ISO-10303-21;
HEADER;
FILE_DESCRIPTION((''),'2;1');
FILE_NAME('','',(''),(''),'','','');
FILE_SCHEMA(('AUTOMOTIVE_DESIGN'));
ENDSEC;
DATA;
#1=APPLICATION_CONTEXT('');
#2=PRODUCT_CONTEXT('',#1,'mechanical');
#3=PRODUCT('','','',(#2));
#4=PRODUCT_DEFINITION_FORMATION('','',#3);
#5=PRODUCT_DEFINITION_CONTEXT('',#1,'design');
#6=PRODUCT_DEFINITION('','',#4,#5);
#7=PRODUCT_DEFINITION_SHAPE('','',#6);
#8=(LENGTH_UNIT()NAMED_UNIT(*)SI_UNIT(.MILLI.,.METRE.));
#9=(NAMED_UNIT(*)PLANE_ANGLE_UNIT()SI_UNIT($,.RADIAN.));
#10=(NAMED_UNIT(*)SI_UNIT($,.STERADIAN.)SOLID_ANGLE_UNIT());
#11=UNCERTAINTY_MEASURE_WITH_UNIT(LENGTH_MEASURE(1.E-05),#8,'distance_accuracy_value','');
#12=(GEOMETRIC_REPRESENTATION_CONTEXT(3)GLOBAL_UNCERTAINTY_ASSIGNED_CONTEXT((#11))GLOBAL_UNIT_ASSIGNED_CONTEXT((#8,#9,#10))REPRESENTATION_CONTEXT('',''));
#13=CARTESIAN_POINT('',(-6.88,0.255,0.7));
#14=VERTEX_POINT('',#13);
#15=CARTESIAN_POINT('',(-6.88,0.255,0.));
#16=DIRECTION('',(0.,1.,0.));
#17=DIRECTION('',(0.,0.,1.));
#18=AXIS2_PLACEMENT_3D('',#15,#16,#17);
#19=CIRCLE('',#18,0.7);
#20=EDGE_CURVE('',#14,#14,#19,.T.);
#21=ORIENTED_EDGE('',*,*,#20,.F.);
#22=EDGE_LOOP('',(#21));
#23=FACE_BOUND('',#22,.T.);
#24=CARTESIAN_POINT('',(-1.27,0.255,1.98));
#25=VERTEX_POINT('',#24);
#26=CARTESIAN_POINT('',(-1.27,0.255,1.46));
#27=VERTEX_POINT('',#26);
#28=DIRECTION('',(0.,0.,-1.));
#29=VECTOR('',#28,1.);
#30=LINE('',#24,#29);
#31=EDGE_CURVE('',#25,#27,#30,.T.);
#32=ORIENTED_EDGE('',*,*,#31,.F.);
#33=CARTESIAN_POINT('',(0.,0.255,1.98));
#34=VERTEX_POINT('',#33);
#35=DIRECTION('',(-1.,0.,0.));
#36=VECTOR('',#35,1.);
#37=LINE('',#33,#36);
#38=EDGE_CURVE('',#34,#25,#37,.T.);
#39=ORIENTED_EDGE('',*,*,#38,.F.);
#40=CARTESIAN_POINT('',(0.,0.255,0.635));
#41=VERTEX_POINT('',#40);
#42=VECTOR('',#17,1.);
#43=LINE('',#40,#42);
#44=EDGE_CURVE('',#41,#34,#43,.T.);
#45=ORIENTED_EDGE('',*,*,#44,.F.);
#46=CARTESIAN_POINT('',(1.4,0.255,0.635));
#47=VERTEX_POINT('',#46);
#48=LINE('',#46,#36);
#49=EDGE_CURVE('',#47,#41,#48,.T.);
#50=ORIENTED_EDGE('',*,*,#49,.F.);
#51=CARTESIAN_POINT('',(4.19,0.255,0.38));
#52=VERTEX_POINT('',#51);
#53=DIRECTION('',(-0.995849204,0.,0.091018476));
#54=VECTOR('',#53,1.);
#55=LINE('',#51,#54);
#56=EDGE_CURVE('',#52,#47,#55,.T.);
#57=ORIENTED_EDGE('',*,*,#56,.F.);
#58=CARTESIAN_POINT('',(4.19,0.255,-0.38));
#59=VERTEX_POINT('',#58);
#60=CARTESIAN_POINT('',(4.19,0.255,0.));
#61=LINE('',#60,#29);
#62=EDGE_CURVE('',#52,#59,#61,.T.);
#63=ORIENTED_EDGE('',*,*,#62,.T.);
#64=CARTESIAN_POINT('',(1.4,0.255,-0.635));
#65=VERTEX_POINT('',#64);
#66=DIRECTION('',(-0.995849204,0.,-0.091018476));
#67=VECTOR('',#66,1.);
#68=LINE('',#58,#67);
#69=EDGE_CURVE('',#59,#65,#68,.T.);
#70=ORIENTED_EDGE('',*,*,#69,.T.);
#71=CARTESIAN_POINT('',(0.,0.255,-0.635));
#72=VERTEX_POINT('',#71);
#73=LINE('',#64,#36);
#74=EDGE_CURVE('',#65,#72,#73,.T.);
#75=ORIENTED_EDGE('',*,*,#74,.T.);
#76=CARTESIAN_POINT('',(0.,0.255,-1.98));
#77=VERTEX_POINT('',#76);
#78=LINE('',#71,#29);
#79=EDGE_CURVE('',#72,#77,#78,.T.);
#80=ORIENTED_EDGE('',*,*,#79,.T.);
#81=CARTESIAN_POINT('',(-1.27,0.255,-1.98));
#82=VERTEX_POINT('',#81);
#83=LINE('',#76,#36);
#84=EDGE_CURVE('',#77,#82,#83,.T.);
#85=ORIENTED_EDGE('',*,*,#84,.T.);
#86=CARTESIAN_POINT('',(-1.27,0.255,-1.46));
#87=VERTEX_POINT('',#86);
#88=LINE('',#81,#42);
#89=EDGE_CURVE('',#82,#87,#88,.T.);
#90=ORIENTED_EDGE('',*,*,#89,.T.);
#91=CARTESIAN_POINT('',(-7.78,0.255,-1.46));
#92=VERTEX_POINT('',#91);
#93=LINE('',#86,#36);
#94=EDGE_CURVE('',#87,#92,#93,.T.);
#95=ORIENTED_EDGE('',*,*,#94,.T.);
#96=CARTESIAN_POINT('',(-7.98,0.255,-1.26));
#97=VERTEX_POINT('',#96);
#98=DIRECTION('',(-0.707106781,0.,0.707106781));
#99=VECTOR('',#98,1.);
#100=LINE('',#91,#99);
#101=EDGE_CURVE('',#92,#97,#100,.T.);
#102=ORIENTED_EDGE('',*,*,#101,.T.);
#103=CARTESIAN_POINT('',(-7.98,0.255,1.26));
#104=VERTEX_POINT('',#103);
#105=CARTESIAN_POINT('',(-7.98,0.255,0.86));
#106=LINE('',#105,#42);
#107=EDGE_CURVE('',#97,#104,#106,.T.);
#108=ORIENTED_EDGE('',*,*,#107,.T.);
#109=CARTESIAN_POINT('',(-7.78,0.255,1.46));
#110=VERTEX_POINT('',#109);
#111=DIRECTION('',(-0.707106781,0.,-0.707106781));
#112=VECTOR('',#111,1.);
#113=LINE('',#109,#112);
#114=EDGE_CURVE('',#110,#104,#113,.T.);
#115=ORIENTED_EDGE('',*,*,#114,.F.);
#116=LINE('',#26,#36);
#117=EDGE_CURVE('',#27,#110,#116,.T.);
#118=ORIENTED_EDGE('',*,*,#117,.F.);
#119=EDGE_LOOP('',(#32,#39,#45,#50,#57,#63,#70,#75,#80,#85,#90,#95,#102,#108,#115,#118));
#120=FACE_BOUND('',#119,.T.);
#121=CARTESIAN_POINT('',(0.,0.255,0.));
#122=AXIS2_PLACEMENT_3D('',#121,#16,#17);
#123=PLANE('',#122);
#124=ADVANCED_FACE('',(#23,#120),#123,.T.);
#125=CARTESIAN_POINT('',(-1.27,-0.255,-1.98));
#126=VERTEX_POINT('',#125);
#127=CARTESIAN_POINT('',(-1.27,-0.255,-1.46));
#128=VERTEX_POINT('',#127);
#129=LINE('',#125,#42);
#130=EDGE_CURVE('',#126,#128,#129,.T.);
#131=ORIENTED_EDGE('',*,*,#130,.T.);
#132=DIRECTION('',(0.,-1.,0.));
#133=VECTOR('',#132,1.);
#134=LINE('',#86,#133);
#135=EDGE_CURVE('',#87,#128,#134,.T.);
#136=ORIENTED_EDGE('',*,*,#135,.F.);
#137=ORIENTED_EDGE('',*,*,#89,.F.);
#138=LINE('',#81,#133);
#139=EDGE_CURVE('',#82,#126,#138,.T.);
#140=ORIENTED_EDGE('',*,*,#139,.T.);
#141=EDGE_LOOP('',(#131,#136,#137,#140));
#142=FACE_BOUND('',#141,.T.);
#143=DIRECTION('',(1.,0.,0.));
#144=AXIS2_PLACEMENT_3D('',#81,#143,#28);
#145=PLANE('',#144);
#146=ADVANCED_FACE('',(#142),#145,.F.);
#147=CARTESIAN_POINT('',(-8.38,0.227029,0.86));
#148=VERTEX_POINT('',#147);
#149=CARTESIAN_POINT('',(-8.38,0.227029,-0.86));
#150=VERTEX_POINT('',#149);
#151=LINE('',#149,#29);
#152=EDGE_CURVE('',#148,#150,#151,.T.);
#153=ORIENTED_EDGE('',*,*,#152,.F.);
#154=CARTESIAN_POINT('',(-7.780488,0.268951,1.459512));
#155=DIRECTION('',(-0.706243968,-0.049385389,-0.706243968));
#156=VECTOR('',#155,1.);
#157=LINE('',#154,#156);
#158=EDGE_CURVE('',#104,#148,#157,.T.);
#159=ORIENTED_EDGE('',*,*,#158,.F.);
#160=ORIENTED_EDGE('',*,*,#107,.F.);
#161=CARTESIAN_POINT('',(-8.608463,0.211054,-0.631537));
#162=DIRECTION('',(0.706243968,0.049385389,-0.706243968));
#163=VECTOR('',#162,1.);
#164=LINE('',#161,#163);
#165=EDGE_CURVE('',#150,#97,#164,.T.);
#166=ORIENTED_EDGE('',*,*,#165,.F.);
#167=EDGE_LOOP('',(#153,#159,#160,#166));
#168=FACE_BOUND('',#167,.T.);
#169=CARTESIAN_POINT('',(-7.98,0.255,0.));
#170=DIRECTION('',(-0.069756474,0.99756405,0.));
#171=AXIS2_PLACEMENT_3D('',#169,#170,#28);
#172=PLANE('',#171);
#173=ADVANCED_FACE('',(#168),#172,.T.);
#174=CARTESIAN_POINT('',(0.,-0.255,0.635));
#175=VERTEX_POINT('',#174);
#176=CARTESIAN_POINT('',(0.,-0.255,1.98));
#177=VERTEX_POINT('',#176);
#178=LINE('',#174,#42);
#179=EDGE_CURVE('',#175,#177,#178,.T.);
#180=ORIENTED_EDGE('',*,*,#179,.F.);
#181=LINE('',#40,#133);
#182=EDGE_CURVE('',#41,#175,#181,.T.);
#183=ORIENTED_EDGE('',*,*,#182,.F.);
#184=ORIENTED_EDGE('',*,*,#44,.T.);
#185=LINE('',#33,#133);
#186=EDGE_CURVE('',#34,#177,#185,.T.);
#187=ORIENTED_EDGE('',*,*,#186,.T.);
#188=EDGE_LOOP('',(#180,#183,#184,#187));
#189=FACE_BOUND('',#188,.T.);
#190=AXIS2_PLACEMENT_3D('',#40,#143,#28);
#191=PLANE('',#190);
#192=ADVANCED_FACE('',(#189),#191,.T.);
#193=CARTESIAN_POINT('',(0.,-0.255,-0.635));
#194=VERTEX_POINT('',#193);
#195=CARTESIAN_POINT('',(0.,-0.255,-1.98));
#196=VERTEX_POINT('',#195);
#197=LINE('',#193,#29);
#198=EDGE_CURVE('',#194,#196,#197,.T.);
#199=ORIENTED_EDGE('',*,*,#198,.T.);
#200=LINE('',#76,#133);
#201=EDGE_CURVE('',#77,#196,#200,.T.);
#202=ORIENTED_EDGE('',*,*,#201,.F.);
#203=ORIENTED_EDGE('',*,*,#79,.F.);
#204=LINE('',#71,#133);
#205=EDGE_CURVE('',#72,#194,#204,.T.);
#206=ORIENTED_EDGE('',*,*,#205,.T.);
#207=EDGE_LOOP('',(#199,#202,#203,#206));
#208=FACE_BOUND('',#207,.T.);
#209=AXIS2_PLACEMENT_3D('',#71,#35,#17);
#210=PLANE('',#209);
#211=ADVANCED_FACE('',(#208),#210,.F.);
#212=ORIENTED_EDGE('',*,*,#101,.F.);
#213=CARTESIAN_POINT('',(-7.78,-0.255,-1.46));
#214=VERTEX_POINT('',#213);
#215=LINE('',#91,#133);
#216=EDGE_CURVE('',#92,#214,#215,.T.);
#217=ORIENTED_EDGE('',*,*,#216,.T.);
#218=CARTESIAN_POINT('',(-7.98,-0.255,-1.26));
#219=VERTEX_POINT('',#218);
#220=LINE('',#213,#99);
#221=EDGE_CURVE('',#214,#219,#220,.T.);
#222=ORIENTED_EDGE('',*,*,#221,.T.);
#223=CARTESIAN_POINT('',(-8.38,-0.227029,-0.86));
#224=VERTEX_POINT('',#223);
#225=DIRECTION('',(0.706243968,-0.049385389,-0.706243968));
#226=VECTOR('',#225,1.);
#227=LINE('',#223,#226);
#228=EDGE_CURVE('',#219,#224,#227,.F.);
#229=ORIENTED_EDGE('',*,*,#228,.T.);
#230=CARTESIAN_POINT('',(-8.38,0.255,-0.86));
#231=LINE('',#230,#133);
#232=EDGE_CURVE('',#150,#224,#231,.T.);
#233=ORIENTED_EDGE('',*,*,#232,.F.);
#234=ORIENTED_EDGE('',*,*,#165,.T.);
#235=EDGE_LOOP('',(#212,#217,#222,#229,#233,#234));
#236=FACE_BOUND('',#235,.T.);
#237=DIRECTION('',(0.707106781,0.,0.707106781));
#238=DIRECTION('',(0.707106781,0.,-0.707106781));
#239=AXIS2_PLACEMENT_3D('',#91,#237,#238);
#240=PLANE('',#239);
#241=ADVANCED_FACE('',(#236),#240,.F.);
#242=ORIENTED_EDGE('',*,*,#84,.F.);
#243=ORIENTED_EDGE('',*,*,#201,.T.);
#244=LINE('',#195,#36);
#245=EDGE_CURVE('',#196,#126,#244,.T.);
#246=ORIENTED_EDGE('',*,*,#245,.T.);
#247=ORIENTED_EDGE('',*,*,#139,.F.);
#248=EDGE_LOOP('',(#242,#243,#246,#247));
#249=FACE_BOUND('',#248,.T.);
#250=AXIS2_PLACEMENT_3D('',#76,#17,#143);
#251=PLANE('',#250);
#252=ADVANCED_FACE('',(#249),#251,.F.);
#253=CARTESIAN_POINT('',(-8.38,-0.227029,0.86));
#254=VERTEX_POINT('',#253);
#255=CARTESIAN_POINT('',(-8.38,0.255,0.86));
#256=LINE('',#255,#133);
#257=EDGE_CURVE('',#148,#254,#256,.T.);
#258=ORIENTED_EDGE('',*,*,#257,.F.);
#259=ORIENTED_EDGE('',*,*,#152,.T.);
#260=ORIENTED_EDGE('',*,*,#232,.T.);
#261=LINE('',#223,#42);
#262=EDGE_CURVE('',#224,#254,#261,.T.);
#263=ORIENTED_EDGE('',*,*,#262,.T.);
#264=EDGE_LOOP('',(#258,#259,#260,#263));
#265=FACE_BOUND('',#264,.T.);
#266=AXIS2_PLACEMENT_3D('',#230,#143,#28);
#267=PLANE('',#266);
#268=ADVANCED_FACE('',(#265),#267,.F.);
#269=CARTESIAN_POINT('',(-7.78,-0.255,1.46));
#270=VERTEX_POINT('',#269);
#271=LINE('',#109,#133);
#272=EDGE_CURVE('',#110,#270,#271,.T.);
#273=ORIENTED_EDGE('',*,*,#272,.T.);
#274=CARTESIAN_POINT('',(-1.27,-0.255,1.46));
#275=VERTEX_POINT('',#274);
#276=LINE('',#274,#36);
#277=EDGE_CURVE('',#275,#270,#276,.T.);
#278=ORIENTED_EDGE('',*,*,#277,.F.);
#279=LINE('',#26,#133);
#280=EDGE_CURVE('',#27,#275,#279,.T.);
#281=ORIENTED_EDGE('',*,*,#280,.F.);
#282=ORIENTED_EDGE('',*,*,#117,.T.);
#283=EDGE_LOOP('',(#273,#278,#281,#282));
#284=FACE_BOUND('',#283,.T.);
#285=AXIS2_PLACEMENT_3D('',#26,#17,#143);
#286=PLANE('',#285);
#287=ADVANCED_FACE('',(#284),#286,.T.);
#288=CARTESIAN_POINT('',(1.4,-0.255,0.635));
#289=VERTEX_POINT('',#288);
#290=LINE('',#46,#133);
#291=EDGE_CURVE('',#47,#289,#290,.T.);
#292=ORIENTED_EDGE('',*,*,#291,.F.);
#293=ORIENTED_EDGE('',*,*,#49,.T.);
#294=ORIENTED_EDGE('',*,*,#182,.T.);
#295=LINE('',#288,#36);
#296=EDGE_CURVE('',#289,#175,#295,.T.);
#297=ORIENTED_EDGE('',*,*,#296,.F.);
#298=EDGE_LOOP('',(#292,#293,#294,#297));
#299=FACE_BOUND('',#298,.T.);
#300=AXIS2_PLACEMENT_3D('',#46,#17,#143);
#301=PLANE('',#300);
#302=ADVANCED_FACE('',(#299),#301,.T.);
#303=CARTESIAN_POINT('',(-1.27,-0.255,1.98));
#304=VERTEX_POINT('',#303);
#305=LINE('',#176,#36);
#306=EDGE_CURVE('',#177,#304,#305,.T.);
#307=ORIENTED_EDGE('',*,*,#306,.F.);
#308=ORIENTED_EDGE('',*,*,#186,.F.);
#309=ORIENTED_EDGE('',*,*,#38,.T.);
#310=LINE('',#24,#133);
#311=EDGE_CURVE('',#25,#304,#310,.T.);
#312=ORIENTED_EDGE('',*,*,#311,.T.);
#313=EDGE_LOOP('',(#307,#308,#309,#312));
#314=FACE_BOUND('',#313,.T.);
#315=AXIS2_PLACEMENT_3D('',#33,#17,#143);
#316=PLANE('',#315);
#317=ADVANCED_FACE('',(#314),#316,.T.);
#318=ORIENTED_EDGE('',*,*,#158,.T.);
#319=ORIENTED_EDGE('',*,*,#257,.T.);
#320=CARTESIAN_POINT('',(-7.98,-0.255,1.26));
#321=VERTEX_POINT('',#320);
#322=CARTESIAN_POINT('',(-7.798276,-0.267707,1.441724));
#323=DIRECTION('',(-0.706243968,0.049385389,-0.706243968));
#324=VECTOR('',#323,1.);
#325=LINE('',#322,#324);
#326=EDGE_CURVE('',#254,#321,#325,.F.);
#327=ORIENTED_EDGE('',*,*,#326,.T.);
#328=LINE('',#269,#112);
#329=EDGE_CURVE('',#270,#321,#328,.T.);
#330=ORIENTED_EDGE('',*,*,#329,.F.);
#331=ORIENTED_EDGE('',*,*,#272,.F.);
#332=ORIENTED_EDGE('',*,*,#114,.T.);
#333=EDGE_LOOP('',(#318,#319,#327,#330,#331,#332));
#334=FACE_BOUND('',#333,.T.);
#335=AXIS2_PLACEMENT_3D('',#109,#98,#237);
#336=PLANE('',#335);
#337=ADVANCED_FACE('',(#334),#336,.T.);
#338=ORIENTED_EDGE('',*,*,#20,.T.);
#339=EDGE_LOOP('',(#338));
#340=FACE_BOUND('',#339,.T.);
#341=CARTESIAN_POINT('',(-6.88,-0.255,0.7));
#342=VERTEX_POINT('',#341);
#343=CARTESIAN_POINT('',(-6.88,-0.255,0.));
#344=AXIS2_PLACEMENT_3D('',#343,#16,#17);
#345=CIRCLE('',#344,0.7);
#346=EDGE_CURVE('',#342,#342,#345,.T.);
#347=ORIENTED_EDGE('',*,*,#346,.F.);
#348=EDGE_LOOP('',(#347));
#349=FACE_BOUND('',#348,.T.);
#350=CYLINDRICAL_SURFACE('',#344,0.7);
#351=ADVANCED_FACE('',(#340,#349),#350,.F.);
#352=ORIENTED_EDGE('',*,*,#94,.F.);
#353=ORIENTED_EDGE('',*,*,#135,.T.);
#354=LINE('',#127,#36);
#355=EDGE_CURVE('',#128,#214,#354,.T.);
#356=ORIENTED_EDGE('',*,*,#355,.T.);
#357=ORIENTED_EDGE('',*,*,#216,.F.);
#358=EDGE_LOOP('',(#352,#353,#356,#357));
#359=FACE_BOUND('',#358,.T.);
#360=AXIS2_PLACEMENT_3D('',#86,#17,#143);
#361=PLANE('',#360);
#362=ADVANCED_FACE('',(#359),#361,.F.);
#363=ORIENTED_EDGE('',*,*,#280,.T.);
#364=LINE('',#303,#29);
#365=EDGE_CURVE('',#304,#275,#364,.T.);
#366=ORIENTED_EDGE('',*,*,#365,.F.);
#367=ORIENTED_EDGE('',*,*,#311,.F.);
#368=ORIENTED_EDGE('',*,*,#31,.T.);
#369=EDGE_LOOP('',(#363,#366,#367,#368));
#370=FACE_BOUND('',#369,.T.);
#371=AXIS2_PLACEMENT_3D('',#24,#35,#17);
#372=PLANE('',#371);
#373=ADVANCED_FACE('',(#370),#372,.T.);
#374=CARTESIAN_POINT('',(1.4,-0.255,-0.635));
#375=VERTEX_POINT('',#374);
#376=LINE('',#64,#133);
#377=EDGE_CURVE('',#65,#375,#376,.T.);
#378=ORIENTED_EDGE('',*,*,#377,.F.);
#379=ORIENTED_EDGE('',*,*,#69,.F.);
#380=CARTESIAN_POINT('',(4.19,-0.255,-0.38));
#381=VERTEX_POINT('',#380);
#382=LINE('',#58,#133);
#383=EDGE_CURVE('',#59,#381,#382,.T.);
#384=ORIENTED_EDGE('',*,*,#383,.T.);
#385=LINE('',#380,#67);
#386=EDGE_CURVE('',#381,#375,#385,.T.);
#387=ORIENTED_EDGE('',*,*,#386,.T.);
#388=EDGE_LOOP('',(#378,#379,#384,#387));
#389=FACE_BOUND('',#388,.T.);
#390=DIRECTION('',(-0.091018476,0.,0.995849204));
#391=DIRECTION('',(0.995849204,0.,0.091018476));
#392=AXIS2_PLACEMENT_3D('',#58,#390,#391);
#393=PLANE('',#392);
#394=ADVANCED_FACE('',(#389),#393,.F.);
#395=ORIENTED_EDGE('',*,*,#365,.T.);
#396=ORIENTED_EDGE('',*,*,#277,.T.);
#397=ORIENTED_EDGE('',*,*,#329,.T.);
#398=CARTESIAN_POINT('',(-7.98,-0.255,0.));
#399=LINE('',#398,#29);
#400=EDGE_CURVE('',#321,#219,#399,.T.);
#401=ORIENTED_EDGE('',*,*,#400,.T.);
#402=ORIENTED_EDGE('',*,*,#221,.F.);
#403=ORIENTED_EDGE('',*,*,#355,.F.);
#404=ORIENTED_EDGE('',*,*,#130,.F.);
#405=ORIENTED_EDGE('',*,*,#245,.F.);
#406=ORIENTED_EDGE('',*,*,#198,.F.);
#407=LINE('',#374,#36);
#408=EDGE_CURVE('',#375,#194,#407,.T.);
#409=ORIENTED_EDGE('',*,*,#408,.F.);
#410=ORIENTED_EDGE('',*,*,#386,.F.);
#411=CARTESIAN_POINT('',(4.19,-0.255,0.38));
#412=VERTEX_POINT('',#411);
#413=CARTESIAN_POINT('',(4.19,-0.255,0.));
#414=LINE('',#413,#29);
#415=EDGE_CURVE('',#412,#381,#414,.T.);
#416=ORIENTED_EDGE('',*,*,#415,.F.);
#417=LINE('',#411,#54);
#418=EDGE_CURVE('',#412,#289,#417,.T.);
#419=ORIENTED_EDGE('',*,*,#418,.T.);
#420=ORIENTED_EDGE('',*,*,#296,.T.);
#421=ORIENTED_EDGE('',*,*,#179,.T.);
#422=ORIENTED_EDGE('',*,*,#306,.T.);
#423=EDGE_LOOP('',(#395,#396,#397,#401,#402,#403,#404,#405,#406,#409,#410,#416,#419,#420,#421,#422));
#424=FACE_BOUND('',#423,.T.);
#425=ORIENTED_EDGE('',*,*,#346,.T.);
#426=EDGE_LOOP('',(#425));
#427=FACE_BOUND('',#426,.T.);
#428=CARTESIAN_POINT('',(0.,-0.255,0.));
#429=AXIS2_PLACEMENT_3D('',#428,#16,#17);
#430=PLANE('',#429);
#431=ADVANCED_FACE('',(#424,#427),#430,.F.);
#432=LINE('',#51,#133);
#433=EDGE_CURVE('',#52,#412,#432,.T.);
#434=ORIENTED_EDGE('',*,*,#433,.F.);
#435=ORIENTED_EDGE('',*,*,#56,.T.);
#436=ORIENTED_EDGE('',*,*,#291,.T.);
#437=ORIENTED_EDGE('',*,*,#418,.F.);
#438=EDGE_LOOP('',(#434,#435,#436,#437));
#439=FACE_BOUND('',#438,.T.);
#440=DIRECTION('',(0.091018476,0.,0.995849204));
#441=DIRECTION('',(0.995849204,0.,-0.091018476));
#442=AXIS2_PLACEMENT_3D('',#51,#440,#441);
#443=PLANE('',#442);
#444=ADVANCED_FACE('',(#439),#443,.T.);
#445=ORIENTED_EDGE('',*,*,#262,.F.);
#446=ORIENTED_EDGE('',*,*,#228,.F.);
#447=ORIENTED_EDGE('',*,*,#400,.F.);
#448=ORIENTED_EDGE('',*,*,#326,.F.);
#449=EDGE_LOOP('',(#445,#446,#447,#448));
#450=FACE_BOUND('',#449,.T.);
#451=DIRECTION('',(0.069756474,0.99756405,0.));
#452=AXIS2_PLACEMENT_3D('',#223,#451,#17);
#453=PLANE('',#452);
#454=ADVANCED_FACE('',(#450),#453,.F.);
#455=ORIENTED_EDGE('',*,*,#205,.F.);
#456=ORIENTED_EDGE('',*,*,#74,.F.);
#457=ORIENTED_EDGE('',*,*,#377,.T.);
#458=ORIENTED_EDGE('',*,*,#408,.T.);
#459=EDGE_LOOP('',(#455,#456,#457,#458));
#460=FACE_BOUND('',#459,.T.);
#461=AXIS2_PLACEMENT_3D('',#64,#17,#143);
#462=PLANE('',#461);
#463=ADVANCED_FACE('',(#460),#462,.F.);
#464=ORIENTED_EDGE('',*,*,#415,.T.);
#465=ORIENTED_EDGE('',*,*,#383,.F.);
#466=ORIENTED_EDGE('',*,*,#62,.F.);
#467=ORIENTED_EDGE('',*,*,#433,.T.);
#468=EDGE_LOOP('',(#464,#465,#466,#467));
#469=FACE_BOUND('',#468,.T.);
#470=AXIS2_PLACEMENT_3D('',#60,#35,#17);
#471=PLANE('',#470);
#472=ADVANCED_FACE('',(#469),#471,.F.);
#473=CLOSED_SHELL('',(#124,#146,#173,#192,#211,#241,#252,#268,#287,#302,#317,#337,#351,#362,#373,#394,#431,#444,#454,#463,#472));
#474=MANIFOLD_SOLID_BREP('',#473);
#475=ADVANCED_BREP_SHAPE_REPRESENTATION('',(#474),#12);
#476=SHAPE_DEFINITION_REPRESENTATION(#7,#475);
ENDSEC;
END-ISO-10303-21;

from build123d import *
from OCP.BRepFilletAPI import BRepFilletAPI_MakeChamfer

# Parameters (mm, degrees)
BOSS_EXTRUDE1_DEPTH = 0.255
SKETCH2_R           = 0.7
CUT_EXTRUDE1_DEPTH  = 9.625827497
CHAMFER1_SIZE       = 0.4
CHAMFER1_SIZE2      = 0.027970725


with BuildPart() as part:
    # Sketch1 → Boss-Extrude1 (new, symmetric)
    with BuildSketch(Plane(origin=(0, 0, 0), x_dir=(1, 0, 0), z_dir=(0, 1, 0))):
        Polygon((0, 1.98), (-1.27, 1.98), (-1.27, 1.46), (-7.78, 1.46), (-8.38, 0.86), (-8.38, 0), (4.19, 0), (4.19, 0.38), (1.4, 0.635), (0, 0.635), align=None)
    boss_extrude1 = extrude(amount=BOSS_EXTRUDE1_DEPTH, both=True)

    # Mirror1: Boss-Extrude1 across plane
    add(boss_extrude1.mirror(Plane(origin=(-8.38, 0.255, 0), x_dir=(1, 0, 0), z_dir=(0, 0, -1))))

    # Sketch2 → Cut-Extrude1 (cut, through all)
    with BuildSketch(Plane(origin=(0, 0.255, 0), x_dir=(1, 0, 0), z_dir=(0, 1, 0))):
        with Locations((-6.88, 0)):
            Circle(SKETCH2_R)
    extrude(amount=-CUT_EXTRUDE1_DEPTH, mode=Mode.SUBTRACT)

    # Chamfer1: one chamfer whose edges measure the first distance from different faces: ONE call of the kernel's chamfer builder (chamfer() names one face for all edges)
    chamfer1_edges_1 = [part.edges().sort_by_distance(p)[0] for p in [
        (-8.38, -0.255, 0),
    ]]
    chamfer1_side_1 = [part.faces().sort_by_distance(p)[0] for p in [
        (-2.842081645, -0.255, 0),
    ]]
    chamfer1_edges_2 = [part.edges().sort_by_distance(p)[0] for p in [
        (-8.38, 0.255, 0),
    ]]
    chamfer1_side_2 = [part.faces().sort_by_distance(p)[0] for p in [
        (-2.842081645, 0.255, 0),
    ]]
    chamfer1 = BRepFilletAPI_MakeChamfer(part.part.solid().wrapped)
    for e in chamfer1_edges_1:
        chamfer1.Add(CHAMFER1_SIZE, CHAMFER1_SIZE2, e.wrapped, chamfer1_side_1[0].wrapped)  # the first distance lies on this face
    for e in chamfer1_edges_2:
        chamfer1.Add(CHAMFER1_SIZE, CHAMFER1_SIZE2, e.wrapped, chamfer1_side_2[0].wrapped)  # the first distance lies on this face
    add(Compound.cast(chamfer1.Shape()), mode=Mode.REPLACE)


solid = part.part
